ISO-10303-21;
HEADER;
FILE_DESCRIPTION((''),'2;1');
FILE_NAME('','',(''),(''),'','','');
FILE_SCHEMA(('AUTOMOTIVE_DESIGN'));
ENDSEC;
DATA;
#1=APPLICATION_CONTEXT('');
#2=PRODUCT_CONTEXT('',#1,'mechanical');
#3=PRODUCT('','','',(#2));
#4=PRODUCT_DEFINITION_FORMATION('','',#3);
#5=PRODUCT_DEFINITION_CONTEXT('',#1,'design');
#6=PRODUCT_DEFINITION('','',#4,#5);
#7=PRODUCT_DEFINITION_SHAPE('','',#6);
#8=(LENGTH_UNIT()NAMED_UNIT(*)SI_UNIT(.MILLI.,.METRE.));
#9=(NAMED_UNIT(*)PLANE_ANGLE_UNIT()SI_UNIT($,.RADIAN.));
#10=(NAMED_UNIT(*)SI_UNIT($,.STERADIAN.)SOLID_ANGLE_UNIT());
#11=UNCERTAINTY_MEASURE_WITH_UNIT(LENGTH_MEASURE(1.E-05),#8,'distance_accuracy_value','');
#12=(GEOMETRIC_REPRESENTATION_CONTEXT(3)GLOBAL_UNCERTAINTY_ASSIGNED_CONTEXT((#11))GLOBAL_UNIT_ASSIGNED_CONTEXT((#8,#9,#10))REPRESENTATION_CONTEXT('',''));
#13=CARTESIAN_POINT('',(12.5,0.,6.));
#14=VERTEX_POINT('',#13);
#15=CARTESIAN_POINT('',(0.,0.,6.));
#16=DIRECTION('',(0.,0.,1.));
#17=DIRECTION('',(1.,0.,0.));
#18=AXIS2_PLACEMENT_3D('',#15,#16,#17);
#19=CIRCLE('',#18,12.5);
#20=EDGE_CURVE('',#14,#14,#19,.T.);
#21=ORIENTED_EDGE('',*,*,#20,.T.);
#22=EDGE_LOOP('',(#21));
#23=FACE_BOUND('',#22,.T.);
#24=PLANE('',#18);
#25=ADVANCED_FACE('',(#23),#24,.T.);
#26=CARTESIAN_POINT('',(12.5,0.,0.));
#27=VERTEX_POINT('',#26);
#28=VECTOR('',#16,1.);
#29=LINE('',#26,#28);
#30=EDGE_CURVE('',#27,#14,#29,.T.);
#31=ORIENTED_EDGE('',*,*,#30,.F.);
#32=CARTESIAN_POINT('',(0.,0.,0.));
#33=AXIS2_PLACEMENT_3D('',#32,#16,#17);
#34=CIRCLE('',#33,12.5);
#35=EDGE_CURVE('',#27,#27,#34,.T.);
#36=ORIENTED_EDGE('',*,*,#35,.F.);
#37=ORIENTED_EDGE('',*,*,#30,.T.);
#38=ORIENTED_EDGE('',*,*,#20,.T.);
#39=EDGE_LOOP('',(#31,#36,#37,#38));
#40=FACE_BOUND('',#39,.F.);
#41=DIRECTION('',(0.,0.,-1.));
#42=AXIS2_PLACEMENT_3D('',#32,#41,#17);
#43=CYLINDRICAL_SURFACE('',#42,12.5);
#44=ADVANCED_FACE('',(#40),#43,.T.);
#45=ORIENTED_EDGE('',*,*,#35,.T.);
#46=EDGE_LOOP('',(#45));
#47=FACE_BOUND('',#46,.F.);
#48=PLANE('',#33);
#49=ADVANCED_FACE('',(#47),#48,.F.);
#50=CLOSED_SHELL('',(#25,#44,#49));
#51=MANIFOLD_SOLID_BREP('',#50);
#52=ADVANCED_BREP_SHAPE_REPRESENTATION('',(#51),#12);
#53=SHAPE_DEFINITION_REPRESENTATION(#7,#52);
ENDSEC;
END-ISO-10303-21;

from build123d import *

# Parameters (mm, degrees)
SKETCH_1_R      = 12.5
EXTRUDE_1_DEPTH = 6


with BuildPart() as part:
    # 草图1 → 凸台-拉伸1 (new body)
    with BuildSketch(Plane.XY):
        Circle(SKETCH_1_R)
    extrude(amount=EXTRUDE_1_DEPTH)


solid = part.part
